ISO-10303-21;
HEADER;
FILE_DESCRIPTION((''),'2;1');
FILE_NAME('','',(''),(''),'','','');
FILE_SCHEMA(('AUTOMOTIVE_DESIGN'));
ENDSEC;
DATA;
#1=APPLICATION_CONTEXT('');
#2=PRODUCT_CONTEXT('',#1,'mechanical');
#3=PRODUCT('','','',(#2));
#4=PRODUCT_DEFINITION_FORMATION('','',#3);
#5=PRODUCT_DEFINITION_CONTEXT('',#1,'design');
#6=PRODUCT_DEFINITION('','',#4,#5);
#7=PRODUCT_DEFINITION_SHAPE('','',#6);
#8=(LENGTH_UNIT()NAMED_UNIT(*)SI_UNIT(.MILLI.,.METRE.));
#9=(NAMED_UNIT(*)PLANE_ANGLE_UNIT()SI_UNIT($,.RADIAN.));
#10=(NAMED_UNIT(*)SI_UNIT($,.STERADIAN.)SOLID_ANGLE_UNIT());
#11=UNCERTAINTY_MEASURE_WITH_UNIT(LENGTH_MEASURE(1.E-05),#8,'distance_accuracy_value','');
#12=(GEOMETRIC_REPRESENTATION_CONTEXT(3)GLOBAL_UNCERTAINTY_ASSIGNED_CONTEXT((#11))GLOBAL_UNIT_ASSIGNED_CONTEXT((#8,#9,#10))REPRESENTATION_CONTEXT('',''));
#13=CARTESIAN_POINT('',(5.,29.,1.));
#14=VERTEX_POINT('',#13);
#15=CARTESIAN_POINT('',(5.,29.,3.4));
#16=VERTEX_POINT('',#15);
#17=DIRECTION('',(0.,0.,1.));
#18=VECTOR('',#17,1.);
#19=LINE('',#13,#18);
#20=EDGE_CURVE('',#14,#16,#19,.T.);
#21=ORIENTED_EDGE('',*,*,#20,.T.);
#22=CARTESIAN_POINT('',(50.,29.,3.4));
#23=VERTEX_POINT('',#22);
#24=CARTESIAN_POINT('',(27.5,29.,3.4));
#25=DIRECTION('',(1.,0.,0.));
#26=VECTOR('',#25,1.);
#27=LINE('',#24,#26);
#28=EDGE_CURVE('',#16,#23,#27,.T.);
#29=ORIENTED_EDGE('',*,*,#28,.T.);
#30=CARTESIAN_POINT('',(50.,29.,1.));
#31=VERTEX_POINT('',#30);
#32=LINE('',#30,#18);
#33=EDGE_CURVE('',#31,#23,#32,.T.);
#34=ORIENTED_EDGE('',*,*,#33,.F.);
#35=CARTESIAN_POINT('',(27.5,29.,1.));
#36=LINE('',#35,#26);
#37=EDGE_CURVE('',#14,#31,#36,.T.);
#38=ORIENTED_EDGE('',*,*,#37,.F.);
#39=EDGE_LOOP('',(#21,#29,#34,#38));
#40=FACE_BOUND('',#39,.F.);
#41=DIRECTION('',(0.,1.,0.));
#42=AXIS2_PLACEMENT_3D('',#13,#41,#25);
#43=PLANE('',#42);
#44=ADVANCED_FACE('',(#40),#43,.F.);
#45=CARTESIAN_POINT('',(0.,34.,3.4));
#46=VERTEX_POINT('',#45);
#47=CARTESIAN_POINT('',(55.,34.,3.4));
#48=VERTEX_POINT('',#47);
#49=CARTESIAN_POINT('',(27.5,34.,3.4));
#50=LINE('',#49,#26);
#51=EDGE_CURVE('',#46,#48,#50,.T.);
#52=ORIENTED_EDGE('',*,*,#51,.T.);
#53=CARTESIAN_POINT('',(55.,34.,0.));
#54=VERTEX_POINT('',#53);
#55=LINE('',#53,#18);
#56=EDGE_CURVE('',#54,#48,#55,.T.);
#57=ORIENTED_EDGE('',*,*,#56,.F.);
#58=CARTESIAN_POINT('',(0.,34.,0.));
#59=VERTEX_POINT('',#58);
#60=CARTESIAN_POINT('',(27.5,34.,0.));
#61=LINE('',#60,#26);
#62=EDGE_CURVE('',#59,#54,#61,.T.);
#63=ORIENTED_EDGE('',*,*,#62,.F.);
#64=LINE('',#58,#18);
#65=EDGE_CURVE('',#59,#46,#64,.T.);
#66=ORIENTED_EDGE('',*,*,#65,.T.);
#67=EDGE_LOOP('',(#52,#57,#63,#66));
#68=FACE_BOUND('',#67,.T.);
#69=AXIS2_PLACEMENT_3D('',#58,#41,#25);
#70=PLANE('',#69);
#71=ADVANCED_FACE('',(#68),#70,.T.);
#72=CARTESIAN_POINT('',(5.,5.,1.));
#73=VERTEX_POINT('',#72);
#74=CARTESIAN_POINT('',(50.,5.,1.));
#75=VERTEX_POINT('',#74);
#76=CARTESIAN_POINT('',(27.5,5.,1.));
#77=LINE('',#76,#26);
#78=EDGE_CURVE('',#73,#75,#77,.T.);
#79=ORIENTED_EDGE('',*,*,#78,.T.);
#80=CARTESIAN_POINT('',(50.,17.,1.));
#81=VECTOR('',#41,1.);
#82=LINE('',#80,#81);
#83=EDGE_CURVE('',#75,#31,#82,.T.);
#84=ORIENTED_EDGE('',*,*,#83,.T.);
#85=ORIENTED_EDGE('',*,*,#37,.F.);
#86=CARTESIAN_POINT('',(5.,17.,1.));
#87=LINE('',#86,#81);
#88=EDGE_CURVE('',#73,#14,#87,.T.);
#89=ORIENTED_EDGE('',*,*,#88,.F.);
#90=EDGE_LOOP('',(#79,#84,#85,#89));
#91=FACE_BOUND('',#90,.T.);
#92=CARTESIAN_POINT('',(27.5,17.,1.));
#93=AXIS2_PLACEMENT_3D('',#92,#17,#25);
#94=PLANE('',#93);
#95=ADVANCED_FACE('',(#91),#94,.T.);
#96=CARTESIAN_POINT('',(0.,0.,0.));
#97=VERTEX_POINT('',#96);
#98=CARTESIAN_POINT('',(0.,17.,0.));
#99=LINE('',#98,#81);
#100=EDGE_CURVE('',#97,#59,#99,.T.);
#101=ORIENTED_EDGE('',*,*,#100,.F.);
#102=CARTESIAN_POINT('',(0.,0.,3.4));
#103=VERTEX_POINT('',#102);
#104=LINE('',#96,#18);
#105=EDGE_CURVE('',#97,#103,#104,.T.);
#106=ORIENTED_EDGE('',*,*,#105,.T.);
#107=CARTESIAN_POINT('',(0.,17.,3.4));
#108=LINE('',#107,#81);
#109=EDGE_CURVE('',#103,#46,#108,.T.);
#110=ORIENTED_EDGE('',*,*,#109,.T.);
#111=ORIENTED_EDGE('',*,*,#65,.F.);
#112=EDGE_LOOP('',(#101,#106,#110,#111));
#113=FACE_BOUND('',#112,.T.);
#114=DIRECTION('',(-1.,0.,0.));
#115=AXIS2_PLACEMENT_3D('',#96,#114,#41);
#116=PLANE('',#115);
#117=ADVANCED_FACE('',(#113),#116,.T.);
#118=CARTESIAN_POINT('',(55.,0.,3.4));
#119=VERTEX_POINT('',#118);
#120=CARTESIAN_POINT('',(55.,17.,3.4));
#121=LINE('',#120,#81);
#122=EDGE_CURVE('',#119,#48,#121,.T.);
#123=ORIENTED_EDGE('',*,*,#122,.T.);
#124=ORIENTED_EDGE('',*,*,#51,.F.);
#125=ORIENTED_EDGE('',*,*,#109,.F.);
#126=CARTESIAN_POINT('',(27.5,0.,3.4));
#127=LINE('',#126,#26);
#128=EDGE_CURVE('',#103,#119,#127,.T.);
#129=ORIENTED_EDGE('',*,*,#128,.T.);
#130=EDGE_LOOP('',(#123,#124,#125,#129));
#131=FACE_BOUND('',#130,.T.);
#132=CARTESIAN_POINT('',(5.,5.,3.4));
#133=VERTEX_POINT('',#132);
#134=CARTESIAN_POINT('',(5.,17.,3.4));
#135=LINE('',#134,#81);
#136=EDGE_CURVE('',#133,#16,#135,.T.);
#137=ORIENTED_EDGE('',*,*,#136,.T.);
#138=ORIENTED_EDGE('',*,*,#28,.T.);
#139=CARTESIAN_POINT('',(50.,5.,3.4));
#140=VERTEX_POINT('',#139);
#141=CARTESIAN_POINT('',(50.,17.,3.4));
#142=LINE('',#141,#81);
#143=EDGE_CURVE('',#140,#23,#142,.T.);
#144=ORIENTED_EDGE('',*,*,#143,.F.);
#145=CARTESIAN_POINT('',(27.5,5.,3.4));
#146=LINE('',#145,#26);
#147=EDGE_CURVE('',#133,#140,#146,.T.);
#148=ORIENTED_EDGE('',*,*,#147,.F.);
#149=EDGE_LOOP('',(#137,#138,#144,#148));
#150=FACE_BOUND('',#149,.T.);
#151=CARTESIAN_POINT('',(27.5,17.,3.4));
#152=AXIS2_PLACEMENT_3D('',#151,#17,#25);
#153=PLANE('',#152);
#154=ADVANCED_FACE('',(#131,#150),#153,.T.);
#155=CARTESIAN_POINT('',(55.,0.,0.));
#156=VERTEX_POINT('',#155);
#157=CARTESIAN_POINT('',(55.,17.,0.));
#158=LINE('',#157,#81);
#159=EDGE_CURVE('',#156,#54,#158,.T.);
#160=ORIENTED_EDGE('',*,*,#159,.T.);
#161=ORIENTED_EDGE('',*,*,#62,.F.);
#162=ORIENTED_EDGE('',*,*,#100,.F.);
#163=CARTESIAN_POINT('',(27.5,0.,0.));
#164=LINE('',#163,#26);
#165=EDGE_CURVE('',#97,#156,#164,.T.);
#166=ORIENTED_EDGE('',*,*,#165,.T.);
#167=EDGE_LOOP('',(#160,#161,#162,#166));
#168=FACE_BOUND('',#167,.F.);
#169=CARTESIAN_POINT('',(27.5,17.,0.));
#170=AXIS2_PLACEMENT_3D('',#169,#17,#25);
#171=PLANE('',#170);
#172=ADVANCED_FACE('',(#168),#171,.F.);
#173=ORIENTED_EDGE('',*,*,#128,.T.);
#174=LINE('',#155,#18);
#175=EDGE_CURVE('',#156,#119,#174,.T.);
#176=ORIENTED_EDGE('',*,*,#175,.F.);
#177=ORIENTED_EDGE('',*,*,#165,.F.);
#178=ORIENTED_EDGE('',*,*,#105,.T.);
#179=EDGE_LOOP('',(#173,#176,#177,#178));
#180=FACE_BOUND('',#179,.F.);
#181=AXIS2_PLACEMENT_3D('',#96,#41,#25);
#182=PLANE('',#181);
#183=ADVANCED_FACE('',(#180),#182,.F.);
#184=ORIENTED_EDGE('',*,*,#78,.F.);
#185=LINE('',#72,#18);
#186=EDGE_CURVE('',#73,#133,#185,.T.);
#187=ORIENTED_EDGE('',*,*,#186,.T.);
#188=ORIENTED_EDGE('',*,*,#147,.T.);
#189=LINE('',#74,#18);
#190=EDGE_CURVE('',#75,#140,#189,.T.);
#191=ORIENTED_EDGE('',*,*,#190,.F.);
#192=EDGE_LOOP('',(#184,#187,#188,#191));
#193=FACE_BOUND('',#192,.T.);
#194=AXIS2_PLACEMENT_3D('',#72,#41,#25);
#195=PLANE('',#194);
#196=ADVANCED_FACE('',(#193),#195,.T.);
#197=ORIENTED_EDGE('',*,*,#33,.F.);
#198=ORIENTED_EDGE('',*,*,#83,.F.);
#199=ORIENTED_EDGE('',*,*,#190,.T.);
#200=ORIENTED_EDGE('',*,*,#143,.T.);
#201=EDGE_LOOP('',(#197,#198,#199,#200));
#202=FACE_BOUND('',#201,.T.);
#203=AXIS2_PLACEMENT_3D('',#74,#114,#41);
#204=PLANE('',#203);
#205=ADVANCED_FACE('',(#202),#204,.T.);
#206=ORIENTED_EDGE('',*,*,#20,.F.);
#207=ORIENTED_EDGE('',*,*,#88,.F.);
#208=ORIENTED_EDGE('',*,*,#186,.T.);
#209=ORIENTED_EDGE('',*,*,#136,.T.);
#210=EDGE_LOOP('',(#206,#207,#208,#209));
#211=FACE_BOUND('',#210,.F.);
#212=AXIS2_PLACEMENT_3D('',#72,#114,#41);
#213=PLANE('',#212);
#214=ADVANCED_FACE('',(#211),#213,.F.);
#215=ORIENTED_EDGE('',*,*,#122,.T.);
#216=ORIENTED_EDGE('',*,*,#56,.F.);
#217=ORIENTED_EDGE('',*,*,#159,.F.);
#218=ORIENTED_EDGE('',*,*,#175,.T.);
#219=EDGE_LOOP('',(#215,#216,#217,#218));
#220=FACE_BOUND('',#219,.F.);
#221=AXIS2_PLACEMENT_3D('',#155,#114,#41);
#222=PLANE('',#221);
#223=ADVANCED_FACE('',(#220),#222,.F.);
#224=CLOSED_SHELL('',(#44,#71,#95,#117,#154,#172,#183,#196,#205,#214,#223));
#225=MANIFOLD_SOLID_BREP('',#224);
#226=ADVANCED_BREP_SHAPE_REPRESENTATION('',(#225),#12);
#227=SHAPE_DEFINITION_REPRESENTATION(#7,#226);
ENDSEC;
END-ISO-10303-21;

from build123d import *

# Parameters (mm, degrees)
BOX001_W     = 45
BOX001_H     = 24
BOX001_DEPTH = 2.4
BOX_W        = 55
BOX_H        = 34
BOX_DEPTH    = 3.4


with BuildPart() as extraction_cube:
    # Box001 → Box001 (new body)
    with BuildSketch(Plane(origin=(5, 5, 1), x_dir=(1, 0, 0), z_dir=(0, 0, 1))):
        with Locations((22.5, 12)):
            Rectangle(BOX001_W, BOX001_H)
    extrude(amount=BOX001_DEPTH)


with BuildPart() as magnit_box_cut:
    # Box → Box (new body)
    with BuildSketch(Plane.XY):
        with Locations((27.5, 17)):
            Rectangle(BOX_W, BOX_H)
    extrude(amount=BOX_DEPTH)

    # Cut: cut extraction cube
    add(extraction_cube.part, mode=Mode.SUBTRACT)


solid = magnit_box_cut.part
